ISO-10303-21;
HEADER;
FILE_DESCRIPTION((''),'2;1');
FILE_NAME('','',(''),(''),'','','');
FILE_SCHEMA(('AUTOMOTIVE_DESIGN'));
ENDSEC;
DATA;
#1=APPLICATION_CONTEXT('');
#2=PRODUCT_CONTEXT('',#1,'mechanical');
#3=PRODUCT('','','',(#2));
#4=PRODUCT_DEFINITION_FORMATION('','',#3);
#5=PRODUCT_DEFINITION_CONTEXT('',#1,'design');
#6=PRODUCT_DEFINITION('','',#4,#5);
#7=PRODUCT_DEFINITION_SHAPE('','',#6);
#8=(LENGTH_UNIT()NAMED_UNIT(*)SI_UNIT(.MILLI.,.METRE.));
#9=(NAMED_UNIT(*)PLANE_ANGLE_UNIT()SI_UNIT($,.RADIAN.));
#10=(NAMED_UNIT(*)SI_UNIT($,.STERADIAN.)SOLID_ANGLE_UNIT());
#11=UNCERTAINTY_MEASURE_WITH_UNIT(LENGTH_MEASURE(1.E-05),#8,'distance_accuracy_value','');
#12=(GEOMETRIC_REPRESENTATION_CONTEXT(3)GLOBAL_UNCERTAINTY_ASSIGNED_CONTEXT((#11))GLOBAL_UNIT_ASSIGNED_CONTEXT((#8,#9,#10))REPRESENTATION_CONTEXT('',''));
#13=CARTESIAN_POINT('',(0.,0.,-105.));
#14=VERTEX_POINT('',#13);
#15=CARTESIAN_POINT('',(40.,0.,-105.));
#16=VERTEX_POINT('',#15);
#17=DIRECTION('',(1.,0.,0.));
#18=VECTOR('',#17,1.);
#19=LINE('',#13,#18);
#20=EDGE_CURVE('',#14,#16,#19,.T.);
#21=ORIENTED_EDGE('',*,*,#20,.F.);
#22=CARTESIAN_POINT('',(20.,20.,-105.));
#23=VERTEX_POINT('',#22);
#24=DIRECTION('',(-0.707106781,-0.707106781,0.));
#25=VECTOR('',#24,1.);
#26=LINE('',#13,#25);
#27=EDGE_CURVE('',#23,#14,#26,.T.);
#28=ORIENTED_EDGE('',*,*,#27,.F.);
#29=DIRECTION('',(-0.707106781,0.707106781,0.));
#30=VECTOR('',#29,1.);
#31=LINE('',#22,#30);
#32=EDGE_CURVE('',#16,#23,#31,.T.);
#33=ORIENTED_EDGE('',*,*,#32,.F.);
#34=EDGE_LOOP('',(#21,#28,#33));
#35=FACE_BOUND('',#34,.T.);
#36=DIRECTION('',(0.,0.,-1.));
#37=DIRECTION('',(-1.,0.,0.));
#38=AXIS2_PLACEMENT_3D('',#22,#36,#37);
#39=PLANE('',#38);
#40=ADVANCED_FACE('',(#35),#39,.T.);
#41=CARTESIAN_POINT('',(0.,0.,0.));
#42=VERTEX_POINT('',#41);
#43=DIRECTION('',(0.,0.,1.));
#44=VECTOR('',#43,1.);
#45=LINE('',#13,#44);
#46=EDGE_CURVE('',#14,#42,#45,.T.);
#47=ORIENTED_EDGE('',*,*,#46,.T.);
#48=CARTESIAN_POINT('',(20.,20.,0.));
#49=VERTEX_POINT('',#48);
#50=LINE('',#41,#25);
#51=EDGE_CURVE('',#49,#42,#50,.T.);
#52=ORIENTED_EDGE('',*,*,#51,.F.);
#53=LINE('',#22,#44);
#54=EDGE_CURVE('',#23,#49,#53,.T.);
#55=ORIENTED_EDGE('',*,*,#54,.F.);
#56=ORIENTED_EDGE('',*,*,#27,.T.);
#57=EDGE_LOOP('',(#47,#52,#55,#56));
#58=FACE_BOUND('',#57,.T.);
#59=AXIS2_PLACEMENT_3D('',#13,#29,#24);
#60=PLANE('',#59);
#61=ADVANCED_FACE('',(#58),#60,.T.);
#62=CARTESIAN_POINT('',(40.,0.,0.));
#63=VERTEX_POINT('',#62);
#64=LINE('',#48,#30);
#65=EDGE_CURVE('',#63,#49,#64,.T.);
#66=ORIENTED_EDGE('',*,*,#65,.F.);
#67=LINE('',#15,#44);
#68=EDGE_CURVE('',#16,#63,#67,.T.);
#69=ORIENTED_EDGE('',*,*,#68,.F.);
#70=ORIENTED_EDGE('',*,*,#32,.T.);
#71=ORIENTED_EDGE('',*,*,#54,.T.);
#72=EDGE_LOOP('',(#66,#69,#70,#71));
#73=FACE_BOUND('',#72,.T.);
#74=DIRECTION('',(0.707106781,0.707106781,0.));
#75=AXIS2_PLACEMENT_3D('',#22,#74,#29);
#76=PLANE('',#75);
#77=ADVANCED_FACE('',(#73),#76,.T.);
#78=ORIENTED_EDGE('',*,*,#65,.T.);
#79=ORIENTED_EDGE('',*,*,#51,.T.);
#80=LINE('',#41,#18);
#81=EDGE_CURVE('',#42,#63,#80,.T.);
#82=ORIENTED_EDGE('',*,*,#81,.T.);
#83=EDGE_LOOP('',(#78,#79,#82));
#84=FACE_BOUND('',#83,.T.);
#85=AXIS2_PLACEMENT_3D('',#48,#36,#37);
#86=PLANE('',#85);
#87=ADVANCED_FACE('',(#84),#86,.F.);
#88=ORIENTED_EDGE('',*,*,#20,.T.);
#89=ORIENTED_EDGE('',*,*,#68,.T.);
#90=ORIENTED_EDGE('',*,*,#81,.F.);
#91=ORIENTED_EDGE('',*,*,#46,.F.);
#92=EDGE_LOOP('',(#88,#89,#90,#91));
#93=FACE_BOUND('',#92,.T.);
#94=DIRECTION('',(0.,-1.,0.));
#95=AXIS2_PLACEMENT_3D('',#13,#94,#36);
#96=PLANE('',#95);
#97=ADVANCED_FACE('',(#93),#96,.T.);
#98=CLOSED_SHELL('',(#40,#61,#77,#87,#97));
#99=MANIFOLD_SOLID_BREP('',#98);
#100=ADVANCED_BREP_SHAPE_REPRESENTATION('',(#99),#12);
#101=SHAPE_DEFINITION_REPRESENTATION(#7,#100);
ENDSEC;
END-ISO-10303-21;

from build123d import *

# Parameters (mm, degrees)
EXTRUSION1_DEPTH = 105


with BuildPart() as part:
    # Esquisse1 → Extrusion1 (new body)
    with BuildSketch(Plane.XY):
        Polygon((0, 0), (40, 0), (20.000000004, 20), align=None)
    extrude(amount=-EXTRUSION1_DEPTH)


solid = part.part
